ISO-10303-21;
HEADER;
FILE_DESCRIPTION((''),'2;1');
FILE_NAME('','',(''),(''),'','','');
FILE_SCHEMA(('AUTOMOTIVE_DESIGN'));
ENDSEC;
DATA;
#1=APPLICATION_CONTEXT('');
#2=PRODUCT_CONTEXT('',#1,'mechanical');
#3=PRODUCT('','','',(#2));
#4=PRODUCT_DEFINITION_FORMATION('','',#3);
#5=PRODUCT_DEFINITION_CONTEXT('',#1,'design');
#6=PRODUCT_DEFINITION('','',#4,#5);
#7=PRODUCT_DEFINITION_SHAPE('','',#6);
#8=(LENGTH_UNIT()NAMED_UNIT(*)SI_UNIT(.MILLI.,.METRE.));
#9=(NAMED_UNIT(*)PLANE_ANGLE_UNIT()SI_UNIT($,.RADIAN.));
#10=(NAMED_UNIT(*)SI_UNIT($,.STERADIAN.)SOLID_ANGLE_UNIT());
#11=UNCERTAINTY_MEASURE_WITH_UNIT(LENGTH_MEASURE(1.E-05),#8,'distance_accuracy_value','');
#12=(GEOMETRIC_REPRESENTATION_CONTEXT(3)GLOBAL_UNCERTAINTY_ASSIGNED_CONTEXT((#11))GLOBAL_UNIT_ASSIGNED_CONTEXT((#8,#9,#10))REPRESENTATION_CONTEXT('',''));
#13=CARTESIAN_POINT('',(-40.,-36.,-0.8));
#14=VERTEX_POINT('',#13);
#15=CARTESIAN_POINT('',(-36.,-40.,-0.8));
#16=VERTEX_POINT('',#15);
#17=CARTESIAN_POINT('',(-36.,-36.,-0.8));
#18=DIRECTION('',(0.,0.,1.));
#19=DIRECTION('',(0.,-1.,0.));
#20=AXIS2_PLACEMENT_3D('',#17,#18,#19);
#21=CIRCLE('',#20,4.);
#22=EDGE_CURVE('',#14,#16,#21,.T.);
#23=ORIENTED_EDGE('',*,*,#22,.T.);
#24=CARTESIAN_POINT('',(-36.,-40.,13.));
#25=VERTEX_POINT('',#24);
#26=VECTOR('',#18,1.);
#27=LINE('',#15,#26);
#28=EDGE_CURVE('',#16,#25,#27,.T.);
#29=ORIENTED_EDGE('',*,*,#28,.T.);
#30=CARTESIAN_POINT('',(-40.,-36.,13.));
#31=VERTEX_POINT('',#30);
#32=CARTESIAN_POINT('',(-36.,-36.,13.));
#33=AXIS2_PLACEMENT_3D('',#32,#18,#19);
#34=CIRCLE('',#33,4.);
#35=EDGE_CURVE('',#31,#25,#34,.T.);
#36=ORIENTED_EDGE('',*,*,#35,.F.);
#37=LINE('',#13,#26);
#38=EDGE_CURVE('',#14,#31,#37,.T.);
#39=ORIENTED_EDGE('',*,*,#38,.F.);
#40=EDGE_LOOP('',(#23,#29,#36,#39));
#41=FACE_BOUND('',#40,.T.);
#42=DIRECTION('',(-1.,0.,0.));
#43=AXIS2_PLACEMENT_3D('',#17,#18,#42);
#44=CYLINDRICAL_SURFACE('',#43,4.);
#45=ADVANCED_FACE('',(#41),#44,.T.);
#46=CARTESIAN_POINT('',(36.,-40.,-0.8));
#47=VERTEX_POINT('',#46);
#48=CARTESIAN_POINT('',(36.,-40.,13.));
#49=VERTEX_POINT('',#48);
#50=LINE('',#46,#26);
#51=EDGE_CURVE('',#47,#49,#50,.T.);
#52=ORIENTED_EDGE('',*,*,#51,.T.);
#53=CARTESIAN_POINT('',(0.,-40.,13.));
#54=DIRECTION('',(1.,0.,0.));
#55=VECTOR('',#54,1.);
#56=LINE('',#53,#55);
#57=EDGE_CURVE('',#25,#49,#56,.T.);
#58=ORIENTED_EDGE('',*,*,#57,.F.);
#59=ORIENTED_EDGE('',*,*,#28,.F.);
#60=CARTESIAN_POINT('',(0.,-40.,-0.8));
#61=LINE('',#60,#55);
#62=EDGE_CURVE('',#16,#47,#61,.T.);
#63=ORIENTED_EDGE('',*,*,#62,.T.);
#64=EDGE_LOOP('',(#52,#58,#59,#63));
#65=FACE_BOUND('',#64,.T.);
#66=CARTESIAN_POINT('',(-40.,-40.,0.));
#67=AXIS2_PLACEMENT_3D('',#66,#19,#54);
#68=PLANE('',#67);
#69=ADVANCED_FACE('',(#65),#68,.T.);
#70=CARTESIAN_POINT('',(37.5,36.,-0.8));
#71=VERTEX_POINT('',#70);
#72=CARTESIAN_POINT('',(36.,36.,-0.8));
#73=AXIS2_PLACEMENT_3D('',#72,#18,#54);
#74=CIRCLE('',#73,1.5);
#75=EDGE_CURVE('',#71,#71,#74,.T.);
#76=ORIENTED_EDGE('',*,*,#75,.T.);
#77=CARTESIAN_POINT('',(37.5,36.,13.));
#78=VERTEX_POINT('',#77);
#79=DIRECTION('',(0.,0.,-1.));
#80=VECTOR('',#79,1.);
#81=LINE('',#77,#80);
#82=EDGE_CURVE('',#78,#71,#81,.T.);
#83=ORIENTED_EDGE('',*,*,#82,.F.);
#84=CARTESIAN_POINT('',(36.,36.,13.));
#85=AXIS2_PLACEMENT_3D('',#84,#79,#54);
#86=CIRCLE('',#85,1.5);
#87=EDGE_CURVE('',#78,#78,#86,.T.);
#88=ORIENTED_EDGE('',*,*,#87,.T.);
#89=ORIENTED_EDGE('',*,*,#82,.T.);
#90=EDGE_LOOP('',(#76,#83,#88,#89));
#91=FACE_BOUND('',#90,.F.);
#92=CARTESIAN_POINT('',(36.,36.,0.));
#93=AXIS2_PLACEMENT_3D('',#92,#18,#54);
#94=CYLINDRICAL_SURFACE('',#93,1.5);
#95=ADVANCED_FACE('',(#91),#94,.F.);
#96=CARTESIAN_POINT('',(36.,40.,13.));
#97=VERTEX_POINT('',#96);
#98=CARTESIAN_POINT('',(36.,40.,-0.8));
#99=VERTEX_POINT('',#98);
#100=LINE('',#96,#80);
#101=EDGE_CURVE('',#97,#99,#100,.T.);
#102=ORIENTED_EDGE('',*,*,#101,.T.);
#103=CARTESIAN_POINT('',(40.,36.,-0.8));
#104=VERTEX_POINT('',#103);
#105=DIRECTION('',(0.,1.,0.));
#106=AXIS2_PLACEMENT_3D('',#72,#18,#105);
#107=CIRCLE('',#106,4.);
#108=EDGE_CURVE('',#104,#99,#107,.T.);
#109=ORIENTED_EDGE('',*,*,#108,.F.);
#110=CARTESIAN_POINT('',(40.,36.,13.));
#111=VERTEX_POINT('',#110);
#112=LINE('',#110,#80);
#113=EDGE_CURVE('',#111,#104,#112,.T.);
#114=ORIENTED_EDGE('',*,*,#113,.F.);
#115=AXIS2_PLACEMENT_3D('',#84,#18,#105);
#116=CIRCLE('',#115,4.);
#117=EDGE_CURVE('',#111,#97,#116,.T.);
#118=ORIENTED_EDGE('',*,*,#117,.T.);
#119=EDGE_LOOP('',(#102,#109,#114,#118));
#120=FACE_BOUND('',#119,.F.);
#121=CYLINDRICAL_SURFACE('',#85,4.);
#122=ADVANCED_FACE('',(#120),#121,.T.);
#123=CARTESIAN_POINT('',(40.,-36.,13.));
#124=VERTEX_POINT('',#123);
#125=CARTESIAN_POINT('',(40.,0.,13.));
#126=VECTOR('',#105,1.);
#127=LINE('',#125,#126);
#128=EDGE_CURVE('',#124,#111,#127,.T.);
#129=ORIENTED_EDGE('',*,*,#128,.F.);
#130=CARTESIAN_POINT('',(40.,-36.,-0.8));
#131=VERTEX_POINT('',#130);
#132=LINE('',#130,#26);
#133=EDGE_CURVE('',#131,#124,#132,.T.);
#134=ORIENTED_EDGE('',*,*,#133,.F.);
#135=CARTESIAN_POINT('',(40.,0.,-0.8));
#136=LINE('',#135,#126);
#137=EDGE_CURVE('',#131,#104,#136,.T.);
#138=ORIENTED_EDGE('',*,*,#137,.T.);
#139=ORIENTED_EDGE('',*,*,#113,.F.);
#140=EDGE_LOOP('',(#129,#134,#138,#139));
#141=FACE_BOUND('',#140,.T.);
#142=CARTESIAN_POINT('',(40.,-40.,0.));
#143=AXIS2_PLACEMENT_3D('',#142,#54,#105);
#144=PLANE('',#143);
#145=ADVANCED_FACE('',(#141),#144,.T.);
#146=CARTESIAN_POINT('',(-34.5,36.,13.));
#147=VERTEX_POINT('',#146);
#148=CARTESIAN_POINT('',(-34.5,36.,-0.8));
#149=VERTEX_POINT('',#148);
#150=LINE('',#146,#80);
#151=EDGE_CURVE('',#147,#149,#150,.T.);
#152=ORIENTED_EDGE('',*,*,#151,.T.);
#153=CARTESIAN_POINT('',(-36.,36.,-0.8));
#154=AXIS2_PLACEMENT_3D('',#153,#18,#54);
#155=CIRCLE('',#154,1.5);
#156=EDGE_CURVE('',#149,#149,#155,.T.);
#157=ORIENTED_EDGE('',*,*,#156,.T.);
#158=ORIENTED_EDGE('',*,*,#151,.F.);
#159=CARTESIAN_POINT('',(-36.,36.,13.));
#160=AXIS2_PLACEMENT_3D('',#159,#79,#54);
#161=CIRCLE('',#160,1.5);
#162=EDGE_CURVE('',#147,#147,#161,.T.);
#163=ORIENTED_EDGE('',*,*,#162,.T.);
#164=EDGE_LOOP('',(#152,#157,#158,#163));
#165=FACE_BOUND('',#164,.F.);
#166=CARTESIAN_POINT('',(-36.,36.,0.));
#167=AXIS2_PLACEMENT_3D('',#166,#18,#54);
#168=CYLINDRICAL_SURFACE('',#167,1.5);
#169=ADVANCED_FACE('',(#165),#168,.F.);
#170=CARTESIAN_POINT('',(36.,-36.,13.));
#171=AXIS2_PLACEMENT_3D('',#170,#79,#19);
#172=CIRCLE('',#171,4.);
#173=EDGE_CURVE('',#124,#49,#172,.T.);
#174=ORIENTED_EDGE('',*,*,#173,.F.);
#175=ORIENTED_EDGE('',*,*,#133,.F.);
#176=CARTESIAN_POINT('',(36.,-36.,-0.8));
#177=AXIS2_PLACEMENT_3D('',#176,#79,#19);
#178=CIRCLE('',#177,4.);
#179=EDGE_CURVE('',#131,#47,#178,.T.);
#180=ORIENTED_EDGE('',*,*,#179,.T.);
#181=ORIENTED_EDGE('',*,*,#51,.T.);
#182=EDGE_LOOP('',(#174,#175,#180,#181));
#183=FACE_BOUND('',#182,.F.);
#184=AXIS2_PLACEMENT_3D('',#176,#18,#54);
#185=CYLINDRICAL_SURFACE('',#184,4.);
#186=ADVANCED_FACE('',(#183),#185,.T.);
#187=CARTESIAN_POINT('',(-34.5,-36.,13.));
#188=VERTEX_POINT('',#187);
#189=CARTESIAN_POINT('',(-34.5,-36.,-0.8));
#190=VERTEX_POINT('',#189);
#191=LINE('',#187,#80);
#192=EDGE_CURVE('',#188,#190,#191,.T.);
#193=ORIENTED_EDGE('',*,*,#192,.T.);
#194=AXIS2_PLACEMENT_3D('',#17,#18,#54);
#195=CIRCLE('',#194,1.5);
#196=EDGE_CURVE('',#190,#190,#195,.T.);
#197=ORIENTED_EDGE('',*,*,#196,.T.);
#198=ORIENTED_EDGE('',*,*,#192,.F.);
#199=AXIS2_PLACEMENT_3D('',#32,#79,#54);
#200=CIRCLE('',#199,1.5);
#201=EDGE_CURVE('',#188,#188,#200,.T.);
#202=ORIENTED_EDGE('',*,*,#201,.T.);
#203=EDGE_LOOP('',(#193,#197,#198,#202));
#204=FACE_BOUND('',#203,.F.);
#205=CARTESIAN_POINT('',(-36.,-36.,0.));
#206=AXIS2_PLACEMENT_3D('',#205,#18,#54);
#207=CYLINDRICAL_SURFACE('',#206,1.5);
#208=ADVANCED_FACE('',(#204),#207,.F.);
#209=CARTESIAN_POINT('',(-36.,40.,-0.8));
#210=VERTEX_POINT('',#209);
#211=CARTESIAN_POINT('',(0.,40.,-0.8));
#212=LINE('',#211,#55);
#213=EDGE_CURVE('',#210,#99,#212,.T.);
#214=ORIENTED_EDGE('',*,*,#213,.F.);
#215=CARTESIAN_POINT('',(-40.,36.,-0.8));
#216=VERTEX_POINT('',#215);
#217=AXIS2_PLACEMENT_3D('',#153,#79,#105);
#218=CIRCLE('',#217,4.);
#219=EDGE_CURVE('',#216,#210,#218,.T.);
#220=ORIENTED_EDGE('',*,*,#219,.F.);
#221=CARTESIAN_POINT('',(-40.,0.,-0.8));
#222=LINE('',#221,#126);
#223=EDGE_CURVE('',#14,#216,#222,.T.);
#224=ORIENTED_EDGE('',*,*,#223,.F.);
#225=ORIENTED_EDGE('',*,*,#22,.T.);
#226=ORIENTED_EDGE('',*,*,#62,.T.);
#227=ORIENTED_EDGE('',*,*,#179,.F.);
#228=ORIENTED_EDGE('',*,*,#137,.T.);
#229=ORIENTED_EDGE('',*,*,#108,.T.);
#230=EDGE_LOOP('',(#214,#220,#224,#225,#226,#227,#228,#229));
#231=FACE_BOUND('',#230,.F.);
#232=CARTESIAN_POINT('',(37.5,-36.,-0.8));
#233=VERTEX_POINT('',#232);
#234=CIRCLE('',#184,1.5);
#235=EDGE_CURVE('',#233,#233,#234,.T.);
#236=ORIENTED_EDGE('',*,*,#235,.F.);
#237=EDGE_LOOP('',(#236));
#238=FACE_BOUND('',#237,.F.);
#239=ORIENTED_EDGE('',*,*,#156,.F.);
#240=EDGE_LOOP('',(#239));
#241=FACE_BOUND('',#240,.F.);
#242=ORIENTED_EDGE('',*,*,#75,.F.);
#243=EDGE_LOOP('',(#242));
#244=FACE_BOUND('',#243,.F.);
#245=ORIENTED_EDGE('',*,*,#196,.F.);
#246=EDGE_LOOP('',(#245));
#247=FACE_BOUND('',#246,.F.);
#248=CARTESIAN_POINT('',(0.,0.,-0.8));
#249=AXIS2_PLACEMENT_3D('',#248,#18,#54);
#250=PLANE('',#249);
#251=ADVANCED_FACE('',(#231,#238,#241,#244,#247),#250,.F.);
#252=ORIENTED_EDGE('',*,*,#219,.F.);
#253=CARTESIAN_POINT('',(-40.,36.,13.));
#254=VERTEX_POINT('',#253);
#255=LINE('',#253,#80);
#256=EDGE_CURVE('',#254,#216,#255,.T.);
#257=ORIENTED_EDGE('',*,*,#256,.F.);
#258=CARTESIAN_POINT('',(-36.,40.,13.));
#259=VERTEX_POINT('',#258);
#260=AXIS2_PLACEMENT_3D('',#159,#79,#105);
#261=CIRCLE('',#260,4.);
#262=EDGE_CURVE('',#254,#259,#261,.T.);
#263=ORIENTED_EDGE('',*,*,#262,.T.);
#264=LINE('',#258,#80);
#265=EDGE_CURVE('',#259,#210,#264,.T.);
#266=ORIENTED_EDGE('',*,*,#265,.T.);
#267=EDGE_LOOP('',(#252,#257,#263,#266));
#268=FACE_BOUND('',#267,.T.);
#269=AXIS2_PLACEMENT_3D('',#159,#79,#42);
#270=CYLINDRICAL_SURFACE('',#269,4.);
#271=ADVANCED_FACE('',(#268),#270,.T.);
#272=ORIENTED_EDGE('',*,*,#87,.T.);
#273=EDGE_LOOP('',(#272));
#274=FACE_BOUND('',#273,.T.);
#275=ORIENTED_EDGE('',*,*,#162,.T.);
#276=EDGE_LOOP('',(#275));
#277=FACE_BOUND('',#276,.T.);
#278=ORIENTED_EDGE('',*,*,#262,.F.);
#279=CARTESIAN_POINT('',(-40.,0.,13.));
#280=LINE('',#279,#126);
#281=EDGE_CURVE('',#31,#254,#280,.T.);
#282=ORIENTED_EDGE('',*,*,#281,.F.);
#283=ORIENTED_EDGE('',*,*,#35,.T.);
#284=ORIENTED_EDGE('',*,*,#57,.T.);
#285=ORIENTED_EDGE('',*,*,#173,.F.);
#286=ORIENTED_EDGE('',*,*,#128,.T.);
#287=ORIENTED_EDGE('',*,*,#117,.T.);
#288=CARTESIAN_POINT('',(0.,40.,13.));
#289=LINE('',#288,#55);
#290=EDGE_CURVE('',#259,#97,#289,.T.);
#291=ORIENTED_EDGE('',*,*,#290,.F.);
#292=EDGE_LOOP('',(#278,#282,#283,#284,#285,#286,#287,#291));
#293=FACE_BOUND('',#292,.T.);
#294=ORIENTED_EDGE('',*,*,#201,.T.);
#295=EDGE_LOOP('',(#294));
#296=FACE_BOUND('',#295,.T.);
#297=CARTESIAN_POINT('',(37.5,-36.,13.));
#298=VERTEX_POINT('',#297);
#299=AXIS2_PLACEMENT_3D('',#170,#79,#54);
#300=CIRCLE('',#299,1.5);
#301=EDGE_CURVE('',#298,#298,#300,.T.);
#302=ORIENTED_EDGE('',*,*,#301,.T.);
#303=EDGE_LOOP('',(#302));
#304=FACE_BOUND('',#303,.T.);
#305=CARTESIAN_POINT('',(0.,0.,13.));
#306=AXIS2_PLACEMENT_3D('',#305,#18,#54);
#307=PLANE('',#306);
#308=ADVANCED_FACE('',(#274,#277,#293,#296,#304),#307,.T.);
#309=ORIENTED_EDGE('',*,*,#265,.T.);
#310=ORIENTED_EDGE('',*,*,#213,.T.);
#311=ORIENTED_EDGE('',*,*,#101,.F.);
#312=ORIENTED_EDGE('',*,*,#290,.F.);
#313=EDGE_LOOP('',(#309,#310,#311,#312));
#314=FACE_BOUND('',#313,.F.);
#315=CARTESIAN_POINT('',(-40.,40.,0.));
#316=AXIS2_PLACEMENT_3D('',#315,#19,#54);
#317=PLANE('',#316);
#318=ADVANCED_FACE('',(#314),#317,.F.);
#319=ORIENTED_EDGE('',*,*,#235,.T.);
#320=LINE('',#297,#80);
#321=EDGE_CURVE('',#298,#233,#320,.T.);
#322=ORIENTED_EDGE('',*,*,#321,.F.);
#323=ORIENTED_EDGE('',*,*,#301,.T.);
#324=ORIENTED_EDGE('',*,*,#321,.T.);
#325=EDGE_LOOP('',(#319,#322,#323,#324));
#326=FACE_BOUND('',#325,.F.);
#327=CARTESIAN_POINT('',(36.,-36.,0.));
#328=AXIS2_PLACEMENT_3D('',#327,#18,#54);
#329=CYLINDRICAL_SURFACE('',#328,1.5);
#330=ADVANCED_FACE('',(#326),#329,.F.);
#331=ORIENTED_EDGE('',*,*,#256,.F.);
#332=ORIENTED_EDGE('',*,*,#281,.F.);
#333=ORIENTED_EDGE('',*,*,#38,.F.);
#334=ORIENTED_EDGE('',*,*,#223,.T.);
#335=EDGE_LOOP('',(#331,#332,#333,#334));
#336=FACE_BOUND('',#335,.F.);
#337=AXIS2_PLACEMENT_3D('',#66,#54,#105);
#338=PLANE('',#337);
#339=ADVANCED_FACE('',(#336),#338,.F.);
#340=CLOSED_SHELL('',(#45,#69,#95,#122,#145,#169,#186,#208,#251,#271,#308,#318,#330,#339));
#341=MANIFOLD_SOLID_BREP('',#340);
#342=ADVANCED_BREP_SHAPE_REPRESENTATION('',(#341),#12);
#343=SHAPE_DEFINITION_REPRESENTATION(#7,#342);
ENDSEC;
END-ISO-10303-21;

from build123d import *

# Parameters (mm, degrees)
SKETCH109_W          = 80
SKETCH109_H          = 80
PAD_DEPTH            = 13
PAD_DEPTH_BACK       = 0.8
FILLET059_R          = 4
SKETCH110_R          = 1.5
POCKET055_DEPTH      = 0.801
POCKET055_DEPTH_BACK = 13.001


with BuildPart() as part:
    # Sketch109 → Pad (new body, two sides)
    with BuildSketch(Plane.XY) as pad_sk:
        Rectangle(SKETCH109_W, SKETCH109_H)
    extrude(amount=PAD_DEPTH)
    extrude(pad_sk.sketch, amount=-PAD_DEPTH_BACK)

    # Fillet059
    fillet059_edges = [part.edges().sort_by_distance(p)[0] for p in [
        (-40, 40, 6.1),
        (-40, -40, 6.1),
        (40, -40, 6.1),
        (40, 40, 6.1),
    ]]
    fillet(fillet059_edges, radius=FILLET059_R)

    # Sketch110 → Pocket055 (cut, two sides)
    with BuildSketch(Plane.XY) as pocket055_sk:
        with Locations((-36, 36)):
            Circle(SKETCH110_R)
        with Locations((36, 36)):
            Circle(SKETCH110_R)
        with Locations((36, -36)):
            Circle(SKETCH110_R)
        with Locations((-36, -36)):
            Circle(SKETCH110_R)
    extrude(amount=-POCKET055_DEPTH, mode=Mode.SUBTRACT)
    extrude(pocket055_sk.sketch, amount=POCKET055_DEPTH_BACK, mode=Mode.SUBTRACT)


solid = part.part
